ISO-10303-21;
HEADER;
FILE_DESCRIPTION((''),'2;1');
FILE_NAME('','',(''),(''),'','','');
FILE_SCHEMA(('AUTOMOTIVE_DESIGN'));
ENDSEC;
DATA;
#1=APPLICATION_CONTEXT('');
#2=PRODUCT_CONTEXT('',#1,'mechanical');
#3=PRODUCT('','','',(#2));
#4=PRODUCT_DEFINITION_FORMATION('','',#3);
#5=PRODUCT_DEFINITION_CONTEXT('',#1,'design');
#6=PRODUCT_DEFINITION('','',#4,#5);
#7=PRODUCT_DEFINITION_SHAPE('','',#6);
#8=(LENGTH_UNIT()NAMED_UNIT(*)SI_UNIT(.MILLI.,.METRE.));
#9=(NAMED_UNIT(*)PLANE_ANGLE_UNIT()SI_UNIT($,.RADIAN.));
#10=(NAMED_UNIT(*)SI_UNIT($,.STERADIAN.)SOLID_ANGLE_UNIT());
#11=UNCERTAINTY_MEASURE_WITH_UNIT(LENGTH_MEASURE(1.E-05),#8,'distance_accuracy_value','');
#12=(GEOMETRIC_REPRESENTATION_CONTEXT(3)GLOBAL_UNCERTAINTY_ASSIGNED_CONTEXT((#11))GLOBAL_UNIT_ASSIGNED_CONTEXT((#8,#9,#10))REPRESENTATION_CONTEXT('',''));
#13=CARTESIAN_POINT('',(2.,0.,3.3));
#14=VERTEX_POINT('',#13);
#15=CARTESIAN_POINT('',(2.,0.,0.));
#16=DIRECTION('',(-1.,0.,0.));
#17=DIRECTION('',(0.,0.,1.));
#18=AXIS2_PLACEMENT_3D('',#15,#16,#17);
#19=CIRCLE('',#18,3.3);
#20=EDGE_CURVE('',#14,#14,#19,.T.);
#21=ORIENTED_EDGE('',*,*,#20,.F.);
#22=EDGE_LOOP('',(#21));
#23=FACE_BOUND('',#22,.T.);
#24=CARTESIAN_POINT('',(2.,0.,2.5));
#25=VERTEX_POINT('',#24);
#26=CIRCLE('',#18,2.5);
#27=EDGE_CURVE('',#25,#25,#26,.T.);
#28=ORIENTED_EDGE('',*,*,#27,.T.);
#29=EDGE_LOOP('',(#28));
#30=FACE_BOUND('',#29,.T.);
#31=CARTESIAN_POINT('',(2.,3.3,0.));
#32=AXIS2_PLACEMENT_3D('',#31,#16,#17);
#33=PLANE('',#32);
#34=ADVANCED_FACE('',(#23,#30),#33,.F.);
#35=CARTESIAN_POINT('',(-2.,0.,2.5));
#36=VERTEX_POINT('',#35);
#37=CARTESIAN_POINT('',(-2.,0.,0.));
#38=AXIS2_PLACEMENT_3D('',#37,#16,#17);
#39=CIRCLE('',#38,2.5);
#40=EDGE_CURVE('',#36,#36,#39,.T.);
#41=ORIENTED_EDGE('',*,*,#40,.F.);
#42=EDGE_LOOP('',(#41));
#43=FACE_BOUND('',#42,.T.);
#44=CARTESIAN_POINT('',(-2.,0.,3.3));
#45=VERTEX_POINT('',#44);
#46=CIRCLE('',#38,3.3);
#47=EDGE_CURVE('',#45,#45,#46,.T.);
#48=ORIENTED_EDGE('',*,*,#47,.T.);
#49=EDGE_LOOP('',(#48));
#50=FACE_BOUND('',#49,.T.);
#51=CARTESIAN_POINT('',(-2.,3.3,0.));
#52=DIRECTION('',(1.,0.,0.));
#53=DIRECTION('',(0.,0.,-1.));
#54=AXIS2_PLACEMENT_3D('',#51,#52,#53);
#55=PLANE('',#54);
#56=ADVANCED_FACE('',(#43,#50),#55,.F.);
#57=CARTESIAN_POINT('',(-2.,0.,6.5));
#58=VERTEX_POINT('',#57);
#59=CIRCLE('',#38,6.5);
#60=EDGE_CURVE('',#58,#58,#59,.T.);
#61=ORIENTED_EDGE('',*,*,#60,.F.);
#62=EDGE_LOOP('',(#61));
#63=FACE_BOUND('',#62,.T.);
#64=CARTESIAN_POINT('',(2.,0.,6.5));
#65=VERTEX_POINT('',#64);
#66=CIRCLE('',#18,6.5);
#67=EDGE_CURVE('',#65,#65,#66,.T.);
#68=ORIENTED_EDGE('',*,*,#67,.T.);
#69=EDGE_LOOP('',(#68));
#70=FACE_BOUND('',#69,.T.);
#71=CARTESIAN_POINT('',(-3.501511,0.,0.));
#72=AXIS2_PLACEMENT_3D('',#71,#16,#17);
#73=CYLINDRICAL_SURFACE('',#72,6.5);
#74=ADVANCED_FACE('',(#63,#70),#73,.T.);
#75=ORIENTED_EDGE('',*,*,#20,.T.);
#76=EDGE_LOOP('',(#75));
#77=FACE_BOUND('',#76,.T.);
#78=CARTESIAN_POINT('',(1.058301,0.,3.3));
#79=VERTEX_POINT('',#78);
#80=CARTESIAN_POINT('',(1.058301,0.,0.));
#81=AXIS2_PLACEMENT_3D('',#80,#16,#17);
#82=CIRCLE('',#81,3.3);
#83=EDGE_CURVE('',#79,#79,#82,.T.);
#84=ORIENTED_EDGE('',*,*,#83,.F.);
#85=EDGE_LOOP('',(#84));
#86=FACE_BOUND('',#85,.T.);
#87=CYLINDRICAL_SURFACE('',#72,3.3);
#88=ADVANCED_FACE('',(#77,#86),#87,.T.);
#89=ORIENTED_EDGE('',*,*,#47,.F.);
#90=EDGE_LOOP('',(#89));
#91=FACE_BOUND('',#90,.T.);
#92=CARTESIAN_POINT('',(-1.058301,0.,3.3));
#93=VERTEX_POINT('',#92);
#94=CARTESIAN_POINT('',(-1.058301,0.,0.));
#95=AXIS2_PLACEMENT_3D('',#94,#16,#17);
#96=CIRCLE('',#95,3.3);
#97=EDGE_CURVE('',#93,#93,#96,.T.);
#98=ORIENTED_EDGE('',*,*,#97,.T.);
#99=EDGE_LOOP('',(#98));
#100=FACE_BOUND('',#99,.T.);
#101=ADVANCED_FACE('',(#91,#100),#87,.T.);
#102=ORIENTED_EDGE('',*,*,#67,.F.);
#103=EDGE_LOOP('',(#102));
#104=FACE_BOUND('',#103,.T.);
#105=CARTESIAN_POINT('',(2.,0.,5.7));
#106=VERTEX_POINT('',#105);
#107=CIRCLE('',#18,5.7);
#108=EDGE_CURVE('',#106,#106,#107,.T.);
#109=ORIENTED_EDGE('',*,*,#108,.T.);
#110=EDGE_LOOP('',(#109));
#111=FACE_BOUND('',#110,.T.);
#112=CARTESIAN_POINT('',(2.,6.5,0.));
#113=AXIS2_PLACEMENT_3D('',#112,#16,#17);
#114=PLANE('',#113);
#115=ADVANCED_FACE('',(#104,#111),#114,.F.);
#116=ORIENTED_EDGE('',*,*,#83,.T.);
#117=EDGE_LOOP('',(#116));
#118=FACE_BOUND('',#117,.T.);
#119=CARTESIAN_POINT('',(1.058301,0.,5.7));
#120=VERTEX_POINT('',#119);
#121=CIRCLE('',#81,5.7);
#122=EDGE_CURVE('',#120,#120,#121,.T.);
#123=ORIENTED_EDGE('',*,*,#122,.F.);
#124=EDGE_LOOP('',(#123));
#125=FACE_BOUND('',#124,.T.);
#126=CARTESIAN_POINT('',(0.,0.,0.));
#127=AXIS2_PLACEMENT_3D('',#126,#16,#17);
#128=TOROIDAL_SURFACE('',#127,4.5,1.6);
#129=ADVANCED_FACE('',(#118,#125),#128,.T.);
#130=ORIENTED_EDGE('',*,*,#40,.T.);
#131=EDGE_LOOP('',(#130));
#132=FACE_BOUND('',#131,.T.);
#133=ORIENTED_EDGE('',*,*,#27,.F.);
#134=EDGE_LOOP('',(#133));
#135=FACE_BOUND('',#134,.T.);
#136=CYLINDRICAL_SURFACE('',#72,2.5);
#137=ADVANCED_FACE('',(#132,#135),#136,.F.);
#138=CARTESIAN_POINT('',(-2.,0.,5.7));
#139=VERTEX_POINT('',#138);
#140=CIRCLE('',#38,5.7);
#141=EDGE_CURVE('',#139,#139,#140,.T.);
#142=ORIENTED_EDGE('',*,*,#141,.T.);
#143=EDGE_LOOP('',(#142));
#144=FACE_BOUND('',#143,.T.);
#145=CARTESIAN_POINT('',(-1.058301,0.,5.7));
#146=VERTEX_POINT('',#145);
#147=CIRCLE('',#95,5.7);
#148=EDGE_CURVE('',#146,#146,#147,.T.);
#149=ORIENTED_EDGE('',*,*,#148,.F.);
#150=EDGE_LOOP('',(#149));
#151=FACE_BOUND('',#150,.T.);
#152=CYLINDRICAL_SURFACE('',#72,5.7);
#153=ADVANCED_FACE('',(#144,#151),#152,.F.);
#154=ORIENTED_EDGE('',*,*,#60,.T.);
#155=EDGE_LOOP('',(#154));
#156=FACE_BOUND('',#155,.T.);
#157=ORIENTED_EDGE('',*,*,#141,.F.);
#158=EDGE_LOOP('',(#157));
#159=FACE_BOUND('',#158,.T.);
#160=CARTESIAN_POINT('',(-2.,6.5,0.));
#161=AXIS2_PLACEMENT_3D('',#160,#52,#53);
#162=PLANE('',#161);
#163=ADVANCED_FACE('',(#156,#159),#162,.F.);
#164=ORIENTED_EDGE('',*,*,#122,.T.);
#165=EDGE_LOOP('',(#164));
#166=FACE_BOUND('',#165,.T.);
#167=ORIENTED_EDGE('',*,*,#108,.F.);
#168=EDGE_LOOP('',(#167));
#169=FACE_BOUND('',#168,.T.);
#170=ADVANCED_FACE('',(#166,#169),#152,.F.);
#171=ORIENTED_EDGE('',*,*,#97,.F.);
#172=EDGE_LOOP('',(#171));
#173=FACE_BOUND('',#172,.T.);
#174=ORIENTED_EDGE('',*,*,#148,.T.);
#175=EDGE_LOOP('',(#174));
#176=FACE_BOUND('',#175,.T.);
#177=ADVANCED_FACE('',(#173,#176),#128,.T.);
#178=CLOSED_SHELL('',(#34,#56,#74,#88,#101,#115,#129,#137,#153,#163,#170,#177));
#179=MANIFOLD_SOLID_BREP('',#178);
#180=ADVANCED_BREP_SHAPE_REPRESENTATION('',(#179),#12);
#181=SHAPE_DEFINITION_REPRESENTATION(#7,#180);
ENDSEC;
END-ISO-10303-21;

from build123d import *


with BuildPart() as part:
    # Esquisse1 → Révolution1 (revolve)
    with BuildSketch(Plane.XY):
        with BuildLine():
            Line((-2, 6.5), (2, 6.5))
            Line((2, 6.5), (2, 5.7))
            Line((2, 5.7), (1.058300524, 5.7))
            ThreePointArc((1.058300524, 5.7), (1.6, 4.5), (1.058300524, 3.3))
            Line((1.058300524, 3.3), (2, 3.3))
            Line((2, 3.3), (2, 2.5))
            Line((2, 2.5), (-2, 2.5))
            Line((-2, 2.5), (-2, 3.3))
            Line((-2, 3.3), (-1.058300524, 3.3))
            ThreePointArc((-1.058300524, 3.3), (-1.6, 4.5), (-1.058300524, 5.7))
            Line((-1.058300524, 5.7), (-2, 5.7))
            Line((-2, 5.7), (-2, 6.5))
        make_face()
    revolve(axis=Axis((-3.50151098, 0, 0), (1, 0, 0)))


solid = part.part
